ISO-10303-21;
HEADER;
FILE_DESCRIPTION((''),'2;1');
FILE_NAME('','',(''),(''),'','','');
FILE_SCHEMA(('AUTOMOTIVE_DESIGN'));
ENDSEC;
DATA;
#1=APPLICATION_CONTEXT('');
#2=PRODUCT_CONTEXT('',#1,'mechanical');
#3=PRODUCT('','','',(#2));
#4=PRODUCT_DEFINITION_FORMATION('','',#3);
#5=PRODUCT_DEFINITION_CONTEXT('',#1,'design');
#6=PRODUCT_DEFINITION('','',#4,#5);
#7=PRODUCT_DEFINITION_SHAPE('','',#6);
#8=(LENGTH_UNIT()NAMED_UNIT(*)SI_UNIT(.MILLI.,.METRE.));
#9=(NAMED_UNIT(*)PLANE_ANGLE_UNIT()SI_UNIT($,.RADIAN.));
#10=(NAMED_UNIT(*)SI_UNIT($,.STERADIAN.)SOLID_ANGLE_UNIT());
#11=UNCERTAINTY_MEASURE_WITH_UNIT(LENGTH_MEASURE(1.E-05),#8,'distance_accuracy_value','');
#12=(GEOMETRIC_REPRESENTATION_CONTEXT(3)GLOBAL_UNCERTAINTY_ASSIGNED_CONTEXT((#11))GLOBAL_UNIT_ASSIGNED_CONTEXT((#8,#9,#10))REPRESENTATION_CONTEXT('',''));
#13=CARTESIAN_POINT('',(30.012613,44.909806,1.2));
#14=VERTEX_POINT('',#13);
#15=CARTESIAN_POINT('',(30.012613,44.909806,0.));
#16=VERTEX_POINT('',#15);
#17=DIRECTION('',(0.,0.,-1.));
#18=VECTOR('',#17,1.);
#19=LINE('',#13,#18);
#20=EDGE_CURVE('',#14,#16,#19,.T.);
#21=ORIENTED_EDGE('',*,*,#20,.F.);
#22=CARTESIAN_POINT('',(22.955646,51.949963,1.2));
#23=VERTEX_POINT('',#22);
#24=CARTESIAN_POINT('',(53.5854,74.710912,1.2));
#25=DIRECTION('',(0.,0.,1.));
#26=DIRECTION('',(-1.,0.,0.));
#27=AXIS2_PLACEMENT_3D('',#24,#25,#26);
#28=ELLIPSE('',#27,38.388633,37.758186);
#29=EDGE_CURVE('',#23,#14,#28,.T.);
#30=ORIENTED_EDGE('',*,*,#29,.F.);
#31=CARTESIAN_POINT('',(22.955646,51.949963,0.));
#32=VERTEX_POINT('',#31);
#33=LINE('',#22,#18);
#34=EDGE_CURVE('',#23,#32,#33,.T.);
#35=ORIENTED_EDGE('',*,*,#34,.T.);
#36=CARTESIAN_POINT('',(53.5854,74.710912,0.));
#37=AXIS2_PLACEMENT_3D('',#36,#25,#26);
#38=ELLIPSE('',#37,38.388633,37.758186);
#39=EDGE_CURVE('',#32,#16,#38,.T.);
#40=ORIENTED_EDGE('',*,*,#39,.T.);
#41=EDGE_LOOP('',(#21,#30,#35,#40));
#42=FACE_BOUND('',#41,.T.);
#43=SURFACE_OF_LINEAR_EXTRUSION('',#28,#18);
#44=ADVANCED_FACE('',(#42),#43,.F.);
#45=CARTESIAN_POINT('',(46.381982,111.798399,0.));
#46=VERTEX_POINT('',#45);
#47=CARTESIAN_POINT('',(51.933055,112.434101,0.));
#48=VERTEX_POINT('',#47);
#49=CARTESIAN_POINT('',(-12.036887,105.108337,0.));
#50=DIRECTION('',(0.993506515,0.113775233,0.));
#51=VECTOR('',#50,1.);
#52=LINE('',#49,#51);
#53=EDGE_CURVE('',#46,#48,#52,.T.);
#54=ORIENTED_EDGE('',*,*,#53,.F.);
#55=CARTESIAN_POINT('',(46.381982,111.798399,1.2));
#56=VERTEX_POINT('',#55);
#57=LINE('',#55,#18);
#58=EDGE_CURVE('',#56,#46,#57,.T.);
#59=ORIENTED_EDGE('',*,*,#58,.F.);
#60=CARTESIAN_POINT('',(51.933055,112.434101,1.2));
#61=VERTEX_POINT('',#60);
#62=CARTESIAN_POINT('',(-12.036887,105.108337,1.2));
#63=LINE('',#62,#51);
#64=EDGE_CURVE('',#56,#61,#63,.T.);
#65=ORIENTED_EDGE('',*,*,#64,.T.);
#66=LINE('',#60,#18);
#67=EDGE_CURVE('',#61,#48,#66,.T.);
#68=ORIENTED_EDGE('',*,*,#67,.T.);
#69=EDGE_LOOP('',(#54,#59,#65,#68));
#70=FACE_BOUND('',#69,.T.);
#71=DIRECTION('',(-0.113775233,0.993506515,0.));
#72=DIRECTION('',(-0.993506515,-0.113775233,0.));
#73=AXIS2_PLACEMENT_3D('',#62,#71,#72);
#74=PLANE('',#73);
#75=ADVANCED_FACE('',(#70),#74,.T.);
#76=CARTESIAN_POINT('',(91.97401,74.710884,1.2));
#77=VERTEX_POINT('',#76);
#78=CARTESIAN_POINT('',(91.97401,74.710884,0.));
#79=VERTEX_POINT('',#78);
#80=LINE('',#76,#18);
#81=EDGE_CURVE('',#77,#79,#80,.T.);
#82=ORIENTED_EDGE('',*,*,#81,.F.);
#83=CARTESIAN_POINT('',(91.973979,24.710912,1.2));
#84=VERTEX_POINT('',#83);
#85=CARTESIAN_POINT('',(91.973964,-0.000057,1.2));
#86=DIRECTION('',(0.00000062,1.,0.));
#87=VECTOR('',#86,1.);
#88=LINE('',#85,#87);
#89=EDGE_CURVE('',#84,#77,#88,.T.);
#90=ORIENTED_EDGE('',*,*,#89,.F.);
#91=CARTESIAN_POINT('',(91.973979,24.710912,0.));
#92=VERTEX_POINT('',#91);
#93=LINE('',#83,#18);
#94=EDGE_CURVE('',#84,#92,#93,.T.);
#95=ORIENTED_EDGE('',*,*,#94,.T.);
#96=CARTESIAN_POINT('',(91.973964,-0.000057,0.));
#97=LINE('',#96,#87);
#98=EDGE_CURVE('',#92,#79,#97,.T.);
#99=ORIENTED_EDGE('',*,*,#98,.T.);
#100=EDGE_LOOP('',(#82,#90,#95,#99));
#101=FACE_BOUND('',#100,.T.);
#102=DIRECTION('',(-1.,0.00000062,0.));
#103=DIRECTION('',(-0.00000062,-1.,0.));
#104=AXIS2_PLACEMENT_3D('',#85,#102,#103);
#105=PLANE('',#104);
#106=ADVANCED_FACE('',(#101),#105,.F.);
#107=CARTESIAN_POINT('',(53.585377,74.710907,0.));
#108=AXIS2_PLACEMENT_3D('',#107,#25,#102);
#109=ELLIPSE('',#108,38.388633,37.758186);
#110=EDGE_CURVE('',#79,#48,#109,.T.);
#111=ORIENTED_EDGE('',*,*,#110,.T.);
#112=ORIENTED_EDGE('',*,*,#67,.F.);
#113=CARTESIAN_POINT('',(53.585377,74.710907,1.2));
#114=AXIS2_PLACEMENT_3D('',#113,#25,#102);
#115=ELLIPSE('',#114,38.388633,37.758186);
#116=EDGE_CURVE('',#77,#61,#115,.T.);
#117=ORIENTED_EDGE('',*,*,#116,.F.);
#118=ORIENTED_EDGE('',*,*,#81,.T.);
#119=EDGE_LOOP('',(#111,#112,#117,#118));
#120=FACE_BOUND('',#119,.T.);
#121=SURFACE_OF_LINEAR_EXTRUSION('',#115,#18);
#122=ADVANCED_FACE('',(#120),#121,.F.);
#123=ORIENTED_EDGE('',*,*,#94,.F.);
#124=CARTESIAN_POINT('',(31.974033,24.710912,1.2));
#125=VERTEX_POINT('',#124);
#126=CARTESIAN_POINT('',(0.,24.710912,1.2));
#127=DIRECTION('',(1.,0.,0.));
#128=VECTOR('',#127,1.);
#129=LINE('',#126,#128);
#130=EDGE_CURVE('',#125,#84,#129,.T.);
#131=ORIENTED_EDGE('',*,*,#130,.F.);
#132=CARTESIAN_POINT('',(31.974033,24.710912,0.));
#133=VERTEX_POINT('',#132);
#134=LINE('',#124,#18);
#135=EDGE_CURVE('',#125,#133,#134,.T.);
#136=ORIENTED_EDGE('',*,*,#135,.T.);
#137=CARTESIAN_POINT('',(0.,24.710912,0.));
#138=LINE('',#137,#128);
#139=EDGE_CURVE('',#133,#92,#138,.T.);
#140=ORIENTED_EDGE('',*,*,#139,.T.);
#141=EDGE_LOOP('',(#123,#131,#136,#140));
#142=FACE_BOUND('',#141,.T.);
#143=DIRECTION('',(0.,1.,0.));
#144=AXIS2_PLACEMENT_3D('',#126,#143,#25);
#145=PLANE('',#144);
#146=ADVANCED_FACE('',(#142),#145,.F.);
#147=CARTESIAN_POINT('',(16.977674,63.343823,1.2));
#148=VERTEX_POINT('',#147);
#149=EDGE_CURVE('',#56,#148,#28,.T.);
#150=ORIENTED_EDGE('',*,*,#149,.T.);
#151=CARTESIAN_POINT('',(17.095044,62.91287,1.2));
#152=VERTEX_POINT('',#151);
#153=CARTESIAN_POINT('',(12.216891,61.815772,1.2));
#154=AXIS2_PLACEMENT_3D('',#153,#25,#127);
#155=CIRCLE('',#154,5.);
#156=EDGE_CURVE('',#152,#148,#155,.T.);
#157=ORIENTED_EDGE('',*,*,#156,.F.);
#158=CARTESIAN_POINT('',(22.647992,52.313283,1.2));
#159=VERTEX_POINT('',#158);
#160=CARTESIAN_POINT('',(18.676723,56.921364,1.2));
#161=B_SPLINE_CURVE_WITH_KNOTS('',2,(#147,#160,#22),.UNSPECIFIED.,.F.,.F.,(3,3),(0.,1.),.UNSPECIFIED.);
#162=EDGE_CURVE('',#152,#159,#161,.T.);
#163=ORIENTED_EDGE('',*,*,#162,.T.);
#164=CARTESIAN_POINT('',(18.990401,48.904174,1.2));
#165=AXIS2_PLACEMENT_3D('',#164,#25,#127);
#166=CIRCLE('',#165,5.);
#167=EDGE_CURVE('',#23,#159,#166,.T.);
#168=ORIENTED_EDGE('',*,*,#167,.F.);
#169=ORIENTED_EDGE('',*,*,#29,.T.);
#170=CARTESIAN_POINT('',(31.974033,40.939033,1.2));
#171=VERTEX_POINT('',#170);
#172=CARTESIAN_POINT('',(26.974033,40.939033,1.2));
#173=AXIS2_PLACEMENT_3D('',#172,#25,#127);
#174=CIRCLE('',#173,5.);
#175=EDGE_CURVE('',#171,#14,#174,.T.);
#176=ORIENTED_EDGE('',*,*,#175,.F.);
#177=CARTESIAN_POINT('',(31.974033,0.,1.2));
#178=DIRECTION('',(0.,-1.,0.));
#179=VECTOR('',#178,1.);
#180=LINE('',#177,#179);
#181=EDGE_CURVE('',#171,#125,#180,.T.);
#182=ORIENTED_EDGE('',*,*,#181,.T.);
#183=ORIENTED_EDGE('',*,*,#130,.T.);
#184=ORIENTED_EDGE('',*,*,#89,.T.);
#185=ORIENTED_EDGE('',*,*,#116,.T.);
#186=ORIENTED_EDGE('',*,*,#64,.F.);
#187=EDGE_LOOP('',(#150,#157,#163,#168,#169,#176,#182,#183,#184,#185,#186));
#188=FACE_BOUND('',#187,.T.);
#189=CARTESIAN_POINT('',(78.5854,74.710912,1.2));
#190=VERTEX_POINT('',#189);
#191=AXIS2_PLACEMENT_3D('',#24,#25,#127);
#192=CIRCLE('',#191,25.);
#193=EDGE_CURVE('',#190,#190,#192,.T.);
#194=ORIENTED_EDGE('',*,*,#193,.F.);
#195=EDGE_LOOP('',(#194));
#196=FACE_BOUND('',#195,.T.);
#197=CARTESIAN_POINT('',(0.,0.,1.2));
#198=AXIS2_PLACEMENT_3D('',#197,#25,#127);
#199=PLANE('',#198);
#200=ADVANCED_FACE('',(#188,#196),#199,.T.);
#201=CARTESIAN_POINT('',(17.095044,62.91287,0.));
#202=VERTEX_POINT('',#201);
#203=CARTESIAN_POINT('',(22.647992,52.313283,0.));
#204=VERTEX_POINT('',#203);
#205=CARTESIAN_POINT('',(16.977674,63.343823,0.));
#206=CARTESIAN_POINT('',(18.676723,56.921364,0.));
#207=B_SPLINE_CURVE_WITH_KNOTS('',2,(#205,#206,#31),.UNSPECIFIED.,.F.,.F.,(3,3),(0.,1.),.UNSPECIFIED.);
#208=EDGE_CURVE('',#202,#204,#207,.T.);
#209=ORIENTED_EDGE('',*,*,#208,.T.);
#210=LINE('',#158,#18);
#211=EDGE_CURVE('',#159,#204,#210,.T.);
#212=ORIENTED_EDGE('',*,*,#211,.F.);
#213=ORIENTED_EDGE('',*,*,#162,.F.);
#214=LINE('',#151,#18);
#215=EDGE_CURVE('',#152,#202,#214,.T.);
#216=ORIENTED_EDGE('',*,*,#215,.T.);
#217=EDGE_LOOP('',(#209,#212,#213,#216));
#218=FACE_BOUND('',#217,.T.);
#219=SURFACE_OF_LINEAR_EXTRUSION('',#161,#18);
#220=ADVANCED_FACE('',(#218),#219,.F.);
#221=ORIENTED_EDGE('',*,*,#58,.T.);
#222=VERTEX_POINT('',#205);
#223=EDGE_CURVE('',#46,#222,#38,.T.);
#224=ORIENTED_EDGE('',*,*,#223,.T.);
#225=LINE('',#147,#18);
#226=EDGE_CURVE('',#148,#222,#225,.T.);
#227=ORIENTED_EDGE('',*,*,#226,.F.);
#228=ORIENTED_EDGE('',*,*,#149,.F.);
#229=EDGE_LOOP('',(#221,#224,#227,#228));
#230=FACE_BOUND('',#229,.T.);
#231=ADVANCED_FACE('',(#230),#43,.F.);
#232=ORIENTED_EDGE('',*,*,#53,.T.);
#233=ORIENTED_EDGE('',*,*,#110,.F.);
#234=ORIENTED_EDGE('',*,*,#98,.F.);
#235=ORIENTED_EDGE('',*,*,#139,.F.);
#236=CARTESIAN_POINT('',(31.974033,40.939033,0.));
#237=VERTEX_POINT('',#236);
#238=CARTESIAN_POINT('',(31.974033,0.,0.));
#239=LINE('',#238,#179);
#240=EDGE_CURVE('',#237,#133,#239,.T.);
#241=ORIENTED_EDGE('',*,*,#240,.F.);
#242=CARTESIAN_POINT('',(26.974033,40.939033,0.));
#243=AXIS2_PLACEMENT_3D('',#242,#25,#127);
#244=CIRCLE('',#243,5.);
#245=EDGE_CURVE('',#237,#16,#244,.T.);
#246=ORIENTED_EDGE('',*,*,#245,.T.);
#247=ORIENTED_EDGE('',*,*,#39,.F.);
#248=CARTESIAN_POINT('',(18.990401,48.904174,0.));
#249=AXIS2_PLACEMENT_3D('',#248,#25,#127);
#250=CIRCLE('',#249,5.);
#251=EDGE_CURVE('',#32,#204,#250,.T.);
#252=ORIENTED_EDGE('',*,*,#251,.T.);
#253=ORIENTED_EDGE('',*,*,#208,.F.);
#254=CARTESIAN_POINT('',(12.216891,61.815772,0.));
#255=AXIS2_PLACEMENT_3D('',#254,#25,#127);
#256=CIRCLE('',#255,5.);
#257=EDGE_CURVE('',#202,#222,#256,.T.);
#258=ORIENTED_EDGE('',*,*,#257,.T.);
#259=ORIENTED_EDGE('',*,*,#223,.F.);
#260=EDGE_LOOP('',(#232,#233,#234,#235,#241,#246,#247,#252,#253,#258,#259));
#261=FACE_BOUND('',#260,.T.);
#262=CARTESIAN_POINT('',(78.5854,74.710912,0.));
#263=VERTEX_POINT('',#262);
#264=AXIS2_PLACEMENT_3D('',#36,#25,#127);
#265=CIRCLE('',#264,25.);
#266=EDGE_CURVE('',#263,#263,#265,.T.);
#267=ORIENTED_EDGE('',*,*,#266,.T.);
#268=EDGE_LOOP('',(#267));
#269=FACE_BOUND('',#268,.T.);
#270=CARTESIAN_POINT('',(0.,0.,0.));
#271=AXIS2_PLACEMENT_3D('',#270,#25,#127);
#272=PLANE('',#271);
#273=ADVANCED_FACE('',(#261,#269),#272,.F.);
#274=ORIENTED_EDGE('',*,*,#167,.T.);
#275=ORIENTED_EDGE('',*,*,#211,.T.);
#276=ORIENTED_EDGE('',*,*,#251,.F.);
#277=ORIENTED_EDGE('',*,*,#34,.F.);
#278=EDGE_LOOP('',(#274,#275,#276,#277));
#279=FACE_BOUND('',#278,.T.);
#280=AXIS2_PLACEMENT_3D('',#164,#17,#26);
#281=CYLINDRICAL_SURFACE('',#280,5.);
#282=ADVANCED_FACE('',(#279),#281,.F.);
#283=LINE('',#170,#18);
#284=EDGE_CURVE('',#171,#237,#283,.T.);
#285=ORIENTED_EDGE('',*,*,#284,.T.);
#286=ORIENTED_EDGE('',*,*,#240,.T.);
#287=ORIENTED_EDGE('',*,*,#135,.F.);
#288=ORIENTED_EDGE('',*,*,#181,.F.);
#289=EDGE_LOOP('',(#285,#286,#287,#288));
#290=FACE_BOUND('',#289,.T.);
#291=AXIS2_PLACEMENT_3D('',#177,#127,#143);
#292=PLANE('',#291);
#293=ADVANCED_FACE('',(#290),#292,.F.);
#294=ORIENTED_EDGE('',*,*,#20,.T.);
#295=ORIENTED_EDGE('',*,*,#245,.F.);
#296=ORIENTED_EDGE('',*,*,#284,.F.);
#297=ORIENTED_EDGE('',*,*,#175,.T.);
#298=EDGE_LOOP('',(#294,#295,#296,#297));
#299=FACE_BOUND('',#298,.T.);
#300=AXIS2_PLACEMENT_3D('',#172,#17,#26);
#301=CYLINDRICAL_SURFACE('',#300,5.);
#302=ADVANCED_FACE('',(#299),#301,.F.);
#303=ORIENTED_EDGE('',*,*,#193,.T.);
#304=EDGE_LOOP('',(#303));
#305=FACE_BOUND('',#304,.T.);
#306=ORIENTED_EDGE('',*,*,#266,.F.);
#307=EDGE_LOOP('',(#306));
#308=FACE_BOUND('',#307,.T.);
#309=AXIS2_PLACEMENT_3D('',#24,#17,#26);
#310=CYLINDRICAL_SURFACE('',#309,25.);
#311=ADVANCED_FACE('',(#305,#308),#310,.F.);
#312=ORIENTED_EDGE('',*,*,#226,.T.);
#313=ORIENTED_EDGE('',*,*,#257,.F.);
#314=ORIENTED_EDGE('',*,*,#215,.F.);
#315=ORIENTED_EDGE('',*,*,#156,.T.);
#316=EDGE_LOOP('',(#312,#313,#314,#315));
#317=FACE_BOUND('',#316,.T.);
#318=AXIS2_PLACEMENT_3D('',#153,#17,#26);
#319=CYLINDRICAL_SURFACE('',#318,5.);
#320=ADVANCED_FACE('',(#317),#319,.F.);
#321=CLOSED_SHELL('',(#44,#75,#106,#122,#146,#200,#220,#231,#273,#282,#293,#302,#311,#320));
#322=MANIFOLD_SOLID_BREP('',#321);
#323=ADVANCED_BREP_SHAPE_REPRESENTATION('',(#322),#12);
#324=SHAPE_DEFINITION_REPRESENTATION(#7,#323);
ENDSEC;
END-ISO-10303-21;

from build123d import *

# Parameters (mm, degrees)
SKETCH1_R           = 25
BOSS_EXTRUDE2_DEPTH = 1.2


with BuildPart() as part:
    # Sketch1 → Boss-Extrude2 (new body)
    with BuildSketch(Plane.XY):
        with BuildLine():
            ThreePointArc((30.012612552, 44.909806232), (31.456939617, 43.153429969), (31.974033442, 40.939033386))
            Line((31.974033442, 40.939033386), (31.974033442, 24.710911787))
            Line((31.974033442, 24.710911787), (91.973979472, 24.710911787))
            Line((91.973979472, 24.710911787), (91.974010458, 74.710883533))
            add(Edge.make_bspline(
                [(91.974010458, 74.710883533), (91.974034887, 114.130812003), (51.933054654, 112.434101318)],
                knots=[0, 0, 0, 1.61385221, 1.61385221, 1.61385221], degree=2, weights=[1, 0.691721555, 1]))
            Line((51.933054654, 112.434101318), (46.381981502, 111.79839875))
            add(Edge.make_bspline(
                [(46.381981502, 111.79839875), (3.982488462, 103.83150821), (16.977674359, 63.34382334)],
                knots=[4.901152551, 4.901152551, 4.901152551, 6.588978479, 6.588978479, 6.588978479], degree=2, weights=[1, 0.664543961, 1]))
            ThreePointArc((16.977674359, 63.34382334), (17.041173685, 63.129657728), (17.095043921, 62.912869648))
            add(Edge.make_bspline(
                [(17.095043921, 62.912869648), (18.7559158, 56.98560233), (22.647992265, 52.31328285)],
                knots=[0.033678654, 0.033678654, 0.033678654, 0.963651852, 0.963651852, 0.963651852], degree=2))
            ThreePointArc((22.647992265, 52.31328285), (22.806145611, 52.135286834), (22.955645602, 51.949963291))
            add(Edge.make_bspline(
                [(22.955645602, 51.949963291), (26.0115243, 47.971583788), (30.012612552, 44.909806232)],
                knots=[0.647016148, 0.647016148, 0.647016148, 0.90960641, 0.90960641, 0.90960641], degree=2, weights=[1, 0.991393169, 1]))
        make_face()
        with Locations((53.585400153, 74.710911787)):
            Circle(SKETCH1_R, mode=Mode.SUBTRACT)
    extrude(amount=BOSS_EXTRUDE2_DEPTH)


solid = part.part
